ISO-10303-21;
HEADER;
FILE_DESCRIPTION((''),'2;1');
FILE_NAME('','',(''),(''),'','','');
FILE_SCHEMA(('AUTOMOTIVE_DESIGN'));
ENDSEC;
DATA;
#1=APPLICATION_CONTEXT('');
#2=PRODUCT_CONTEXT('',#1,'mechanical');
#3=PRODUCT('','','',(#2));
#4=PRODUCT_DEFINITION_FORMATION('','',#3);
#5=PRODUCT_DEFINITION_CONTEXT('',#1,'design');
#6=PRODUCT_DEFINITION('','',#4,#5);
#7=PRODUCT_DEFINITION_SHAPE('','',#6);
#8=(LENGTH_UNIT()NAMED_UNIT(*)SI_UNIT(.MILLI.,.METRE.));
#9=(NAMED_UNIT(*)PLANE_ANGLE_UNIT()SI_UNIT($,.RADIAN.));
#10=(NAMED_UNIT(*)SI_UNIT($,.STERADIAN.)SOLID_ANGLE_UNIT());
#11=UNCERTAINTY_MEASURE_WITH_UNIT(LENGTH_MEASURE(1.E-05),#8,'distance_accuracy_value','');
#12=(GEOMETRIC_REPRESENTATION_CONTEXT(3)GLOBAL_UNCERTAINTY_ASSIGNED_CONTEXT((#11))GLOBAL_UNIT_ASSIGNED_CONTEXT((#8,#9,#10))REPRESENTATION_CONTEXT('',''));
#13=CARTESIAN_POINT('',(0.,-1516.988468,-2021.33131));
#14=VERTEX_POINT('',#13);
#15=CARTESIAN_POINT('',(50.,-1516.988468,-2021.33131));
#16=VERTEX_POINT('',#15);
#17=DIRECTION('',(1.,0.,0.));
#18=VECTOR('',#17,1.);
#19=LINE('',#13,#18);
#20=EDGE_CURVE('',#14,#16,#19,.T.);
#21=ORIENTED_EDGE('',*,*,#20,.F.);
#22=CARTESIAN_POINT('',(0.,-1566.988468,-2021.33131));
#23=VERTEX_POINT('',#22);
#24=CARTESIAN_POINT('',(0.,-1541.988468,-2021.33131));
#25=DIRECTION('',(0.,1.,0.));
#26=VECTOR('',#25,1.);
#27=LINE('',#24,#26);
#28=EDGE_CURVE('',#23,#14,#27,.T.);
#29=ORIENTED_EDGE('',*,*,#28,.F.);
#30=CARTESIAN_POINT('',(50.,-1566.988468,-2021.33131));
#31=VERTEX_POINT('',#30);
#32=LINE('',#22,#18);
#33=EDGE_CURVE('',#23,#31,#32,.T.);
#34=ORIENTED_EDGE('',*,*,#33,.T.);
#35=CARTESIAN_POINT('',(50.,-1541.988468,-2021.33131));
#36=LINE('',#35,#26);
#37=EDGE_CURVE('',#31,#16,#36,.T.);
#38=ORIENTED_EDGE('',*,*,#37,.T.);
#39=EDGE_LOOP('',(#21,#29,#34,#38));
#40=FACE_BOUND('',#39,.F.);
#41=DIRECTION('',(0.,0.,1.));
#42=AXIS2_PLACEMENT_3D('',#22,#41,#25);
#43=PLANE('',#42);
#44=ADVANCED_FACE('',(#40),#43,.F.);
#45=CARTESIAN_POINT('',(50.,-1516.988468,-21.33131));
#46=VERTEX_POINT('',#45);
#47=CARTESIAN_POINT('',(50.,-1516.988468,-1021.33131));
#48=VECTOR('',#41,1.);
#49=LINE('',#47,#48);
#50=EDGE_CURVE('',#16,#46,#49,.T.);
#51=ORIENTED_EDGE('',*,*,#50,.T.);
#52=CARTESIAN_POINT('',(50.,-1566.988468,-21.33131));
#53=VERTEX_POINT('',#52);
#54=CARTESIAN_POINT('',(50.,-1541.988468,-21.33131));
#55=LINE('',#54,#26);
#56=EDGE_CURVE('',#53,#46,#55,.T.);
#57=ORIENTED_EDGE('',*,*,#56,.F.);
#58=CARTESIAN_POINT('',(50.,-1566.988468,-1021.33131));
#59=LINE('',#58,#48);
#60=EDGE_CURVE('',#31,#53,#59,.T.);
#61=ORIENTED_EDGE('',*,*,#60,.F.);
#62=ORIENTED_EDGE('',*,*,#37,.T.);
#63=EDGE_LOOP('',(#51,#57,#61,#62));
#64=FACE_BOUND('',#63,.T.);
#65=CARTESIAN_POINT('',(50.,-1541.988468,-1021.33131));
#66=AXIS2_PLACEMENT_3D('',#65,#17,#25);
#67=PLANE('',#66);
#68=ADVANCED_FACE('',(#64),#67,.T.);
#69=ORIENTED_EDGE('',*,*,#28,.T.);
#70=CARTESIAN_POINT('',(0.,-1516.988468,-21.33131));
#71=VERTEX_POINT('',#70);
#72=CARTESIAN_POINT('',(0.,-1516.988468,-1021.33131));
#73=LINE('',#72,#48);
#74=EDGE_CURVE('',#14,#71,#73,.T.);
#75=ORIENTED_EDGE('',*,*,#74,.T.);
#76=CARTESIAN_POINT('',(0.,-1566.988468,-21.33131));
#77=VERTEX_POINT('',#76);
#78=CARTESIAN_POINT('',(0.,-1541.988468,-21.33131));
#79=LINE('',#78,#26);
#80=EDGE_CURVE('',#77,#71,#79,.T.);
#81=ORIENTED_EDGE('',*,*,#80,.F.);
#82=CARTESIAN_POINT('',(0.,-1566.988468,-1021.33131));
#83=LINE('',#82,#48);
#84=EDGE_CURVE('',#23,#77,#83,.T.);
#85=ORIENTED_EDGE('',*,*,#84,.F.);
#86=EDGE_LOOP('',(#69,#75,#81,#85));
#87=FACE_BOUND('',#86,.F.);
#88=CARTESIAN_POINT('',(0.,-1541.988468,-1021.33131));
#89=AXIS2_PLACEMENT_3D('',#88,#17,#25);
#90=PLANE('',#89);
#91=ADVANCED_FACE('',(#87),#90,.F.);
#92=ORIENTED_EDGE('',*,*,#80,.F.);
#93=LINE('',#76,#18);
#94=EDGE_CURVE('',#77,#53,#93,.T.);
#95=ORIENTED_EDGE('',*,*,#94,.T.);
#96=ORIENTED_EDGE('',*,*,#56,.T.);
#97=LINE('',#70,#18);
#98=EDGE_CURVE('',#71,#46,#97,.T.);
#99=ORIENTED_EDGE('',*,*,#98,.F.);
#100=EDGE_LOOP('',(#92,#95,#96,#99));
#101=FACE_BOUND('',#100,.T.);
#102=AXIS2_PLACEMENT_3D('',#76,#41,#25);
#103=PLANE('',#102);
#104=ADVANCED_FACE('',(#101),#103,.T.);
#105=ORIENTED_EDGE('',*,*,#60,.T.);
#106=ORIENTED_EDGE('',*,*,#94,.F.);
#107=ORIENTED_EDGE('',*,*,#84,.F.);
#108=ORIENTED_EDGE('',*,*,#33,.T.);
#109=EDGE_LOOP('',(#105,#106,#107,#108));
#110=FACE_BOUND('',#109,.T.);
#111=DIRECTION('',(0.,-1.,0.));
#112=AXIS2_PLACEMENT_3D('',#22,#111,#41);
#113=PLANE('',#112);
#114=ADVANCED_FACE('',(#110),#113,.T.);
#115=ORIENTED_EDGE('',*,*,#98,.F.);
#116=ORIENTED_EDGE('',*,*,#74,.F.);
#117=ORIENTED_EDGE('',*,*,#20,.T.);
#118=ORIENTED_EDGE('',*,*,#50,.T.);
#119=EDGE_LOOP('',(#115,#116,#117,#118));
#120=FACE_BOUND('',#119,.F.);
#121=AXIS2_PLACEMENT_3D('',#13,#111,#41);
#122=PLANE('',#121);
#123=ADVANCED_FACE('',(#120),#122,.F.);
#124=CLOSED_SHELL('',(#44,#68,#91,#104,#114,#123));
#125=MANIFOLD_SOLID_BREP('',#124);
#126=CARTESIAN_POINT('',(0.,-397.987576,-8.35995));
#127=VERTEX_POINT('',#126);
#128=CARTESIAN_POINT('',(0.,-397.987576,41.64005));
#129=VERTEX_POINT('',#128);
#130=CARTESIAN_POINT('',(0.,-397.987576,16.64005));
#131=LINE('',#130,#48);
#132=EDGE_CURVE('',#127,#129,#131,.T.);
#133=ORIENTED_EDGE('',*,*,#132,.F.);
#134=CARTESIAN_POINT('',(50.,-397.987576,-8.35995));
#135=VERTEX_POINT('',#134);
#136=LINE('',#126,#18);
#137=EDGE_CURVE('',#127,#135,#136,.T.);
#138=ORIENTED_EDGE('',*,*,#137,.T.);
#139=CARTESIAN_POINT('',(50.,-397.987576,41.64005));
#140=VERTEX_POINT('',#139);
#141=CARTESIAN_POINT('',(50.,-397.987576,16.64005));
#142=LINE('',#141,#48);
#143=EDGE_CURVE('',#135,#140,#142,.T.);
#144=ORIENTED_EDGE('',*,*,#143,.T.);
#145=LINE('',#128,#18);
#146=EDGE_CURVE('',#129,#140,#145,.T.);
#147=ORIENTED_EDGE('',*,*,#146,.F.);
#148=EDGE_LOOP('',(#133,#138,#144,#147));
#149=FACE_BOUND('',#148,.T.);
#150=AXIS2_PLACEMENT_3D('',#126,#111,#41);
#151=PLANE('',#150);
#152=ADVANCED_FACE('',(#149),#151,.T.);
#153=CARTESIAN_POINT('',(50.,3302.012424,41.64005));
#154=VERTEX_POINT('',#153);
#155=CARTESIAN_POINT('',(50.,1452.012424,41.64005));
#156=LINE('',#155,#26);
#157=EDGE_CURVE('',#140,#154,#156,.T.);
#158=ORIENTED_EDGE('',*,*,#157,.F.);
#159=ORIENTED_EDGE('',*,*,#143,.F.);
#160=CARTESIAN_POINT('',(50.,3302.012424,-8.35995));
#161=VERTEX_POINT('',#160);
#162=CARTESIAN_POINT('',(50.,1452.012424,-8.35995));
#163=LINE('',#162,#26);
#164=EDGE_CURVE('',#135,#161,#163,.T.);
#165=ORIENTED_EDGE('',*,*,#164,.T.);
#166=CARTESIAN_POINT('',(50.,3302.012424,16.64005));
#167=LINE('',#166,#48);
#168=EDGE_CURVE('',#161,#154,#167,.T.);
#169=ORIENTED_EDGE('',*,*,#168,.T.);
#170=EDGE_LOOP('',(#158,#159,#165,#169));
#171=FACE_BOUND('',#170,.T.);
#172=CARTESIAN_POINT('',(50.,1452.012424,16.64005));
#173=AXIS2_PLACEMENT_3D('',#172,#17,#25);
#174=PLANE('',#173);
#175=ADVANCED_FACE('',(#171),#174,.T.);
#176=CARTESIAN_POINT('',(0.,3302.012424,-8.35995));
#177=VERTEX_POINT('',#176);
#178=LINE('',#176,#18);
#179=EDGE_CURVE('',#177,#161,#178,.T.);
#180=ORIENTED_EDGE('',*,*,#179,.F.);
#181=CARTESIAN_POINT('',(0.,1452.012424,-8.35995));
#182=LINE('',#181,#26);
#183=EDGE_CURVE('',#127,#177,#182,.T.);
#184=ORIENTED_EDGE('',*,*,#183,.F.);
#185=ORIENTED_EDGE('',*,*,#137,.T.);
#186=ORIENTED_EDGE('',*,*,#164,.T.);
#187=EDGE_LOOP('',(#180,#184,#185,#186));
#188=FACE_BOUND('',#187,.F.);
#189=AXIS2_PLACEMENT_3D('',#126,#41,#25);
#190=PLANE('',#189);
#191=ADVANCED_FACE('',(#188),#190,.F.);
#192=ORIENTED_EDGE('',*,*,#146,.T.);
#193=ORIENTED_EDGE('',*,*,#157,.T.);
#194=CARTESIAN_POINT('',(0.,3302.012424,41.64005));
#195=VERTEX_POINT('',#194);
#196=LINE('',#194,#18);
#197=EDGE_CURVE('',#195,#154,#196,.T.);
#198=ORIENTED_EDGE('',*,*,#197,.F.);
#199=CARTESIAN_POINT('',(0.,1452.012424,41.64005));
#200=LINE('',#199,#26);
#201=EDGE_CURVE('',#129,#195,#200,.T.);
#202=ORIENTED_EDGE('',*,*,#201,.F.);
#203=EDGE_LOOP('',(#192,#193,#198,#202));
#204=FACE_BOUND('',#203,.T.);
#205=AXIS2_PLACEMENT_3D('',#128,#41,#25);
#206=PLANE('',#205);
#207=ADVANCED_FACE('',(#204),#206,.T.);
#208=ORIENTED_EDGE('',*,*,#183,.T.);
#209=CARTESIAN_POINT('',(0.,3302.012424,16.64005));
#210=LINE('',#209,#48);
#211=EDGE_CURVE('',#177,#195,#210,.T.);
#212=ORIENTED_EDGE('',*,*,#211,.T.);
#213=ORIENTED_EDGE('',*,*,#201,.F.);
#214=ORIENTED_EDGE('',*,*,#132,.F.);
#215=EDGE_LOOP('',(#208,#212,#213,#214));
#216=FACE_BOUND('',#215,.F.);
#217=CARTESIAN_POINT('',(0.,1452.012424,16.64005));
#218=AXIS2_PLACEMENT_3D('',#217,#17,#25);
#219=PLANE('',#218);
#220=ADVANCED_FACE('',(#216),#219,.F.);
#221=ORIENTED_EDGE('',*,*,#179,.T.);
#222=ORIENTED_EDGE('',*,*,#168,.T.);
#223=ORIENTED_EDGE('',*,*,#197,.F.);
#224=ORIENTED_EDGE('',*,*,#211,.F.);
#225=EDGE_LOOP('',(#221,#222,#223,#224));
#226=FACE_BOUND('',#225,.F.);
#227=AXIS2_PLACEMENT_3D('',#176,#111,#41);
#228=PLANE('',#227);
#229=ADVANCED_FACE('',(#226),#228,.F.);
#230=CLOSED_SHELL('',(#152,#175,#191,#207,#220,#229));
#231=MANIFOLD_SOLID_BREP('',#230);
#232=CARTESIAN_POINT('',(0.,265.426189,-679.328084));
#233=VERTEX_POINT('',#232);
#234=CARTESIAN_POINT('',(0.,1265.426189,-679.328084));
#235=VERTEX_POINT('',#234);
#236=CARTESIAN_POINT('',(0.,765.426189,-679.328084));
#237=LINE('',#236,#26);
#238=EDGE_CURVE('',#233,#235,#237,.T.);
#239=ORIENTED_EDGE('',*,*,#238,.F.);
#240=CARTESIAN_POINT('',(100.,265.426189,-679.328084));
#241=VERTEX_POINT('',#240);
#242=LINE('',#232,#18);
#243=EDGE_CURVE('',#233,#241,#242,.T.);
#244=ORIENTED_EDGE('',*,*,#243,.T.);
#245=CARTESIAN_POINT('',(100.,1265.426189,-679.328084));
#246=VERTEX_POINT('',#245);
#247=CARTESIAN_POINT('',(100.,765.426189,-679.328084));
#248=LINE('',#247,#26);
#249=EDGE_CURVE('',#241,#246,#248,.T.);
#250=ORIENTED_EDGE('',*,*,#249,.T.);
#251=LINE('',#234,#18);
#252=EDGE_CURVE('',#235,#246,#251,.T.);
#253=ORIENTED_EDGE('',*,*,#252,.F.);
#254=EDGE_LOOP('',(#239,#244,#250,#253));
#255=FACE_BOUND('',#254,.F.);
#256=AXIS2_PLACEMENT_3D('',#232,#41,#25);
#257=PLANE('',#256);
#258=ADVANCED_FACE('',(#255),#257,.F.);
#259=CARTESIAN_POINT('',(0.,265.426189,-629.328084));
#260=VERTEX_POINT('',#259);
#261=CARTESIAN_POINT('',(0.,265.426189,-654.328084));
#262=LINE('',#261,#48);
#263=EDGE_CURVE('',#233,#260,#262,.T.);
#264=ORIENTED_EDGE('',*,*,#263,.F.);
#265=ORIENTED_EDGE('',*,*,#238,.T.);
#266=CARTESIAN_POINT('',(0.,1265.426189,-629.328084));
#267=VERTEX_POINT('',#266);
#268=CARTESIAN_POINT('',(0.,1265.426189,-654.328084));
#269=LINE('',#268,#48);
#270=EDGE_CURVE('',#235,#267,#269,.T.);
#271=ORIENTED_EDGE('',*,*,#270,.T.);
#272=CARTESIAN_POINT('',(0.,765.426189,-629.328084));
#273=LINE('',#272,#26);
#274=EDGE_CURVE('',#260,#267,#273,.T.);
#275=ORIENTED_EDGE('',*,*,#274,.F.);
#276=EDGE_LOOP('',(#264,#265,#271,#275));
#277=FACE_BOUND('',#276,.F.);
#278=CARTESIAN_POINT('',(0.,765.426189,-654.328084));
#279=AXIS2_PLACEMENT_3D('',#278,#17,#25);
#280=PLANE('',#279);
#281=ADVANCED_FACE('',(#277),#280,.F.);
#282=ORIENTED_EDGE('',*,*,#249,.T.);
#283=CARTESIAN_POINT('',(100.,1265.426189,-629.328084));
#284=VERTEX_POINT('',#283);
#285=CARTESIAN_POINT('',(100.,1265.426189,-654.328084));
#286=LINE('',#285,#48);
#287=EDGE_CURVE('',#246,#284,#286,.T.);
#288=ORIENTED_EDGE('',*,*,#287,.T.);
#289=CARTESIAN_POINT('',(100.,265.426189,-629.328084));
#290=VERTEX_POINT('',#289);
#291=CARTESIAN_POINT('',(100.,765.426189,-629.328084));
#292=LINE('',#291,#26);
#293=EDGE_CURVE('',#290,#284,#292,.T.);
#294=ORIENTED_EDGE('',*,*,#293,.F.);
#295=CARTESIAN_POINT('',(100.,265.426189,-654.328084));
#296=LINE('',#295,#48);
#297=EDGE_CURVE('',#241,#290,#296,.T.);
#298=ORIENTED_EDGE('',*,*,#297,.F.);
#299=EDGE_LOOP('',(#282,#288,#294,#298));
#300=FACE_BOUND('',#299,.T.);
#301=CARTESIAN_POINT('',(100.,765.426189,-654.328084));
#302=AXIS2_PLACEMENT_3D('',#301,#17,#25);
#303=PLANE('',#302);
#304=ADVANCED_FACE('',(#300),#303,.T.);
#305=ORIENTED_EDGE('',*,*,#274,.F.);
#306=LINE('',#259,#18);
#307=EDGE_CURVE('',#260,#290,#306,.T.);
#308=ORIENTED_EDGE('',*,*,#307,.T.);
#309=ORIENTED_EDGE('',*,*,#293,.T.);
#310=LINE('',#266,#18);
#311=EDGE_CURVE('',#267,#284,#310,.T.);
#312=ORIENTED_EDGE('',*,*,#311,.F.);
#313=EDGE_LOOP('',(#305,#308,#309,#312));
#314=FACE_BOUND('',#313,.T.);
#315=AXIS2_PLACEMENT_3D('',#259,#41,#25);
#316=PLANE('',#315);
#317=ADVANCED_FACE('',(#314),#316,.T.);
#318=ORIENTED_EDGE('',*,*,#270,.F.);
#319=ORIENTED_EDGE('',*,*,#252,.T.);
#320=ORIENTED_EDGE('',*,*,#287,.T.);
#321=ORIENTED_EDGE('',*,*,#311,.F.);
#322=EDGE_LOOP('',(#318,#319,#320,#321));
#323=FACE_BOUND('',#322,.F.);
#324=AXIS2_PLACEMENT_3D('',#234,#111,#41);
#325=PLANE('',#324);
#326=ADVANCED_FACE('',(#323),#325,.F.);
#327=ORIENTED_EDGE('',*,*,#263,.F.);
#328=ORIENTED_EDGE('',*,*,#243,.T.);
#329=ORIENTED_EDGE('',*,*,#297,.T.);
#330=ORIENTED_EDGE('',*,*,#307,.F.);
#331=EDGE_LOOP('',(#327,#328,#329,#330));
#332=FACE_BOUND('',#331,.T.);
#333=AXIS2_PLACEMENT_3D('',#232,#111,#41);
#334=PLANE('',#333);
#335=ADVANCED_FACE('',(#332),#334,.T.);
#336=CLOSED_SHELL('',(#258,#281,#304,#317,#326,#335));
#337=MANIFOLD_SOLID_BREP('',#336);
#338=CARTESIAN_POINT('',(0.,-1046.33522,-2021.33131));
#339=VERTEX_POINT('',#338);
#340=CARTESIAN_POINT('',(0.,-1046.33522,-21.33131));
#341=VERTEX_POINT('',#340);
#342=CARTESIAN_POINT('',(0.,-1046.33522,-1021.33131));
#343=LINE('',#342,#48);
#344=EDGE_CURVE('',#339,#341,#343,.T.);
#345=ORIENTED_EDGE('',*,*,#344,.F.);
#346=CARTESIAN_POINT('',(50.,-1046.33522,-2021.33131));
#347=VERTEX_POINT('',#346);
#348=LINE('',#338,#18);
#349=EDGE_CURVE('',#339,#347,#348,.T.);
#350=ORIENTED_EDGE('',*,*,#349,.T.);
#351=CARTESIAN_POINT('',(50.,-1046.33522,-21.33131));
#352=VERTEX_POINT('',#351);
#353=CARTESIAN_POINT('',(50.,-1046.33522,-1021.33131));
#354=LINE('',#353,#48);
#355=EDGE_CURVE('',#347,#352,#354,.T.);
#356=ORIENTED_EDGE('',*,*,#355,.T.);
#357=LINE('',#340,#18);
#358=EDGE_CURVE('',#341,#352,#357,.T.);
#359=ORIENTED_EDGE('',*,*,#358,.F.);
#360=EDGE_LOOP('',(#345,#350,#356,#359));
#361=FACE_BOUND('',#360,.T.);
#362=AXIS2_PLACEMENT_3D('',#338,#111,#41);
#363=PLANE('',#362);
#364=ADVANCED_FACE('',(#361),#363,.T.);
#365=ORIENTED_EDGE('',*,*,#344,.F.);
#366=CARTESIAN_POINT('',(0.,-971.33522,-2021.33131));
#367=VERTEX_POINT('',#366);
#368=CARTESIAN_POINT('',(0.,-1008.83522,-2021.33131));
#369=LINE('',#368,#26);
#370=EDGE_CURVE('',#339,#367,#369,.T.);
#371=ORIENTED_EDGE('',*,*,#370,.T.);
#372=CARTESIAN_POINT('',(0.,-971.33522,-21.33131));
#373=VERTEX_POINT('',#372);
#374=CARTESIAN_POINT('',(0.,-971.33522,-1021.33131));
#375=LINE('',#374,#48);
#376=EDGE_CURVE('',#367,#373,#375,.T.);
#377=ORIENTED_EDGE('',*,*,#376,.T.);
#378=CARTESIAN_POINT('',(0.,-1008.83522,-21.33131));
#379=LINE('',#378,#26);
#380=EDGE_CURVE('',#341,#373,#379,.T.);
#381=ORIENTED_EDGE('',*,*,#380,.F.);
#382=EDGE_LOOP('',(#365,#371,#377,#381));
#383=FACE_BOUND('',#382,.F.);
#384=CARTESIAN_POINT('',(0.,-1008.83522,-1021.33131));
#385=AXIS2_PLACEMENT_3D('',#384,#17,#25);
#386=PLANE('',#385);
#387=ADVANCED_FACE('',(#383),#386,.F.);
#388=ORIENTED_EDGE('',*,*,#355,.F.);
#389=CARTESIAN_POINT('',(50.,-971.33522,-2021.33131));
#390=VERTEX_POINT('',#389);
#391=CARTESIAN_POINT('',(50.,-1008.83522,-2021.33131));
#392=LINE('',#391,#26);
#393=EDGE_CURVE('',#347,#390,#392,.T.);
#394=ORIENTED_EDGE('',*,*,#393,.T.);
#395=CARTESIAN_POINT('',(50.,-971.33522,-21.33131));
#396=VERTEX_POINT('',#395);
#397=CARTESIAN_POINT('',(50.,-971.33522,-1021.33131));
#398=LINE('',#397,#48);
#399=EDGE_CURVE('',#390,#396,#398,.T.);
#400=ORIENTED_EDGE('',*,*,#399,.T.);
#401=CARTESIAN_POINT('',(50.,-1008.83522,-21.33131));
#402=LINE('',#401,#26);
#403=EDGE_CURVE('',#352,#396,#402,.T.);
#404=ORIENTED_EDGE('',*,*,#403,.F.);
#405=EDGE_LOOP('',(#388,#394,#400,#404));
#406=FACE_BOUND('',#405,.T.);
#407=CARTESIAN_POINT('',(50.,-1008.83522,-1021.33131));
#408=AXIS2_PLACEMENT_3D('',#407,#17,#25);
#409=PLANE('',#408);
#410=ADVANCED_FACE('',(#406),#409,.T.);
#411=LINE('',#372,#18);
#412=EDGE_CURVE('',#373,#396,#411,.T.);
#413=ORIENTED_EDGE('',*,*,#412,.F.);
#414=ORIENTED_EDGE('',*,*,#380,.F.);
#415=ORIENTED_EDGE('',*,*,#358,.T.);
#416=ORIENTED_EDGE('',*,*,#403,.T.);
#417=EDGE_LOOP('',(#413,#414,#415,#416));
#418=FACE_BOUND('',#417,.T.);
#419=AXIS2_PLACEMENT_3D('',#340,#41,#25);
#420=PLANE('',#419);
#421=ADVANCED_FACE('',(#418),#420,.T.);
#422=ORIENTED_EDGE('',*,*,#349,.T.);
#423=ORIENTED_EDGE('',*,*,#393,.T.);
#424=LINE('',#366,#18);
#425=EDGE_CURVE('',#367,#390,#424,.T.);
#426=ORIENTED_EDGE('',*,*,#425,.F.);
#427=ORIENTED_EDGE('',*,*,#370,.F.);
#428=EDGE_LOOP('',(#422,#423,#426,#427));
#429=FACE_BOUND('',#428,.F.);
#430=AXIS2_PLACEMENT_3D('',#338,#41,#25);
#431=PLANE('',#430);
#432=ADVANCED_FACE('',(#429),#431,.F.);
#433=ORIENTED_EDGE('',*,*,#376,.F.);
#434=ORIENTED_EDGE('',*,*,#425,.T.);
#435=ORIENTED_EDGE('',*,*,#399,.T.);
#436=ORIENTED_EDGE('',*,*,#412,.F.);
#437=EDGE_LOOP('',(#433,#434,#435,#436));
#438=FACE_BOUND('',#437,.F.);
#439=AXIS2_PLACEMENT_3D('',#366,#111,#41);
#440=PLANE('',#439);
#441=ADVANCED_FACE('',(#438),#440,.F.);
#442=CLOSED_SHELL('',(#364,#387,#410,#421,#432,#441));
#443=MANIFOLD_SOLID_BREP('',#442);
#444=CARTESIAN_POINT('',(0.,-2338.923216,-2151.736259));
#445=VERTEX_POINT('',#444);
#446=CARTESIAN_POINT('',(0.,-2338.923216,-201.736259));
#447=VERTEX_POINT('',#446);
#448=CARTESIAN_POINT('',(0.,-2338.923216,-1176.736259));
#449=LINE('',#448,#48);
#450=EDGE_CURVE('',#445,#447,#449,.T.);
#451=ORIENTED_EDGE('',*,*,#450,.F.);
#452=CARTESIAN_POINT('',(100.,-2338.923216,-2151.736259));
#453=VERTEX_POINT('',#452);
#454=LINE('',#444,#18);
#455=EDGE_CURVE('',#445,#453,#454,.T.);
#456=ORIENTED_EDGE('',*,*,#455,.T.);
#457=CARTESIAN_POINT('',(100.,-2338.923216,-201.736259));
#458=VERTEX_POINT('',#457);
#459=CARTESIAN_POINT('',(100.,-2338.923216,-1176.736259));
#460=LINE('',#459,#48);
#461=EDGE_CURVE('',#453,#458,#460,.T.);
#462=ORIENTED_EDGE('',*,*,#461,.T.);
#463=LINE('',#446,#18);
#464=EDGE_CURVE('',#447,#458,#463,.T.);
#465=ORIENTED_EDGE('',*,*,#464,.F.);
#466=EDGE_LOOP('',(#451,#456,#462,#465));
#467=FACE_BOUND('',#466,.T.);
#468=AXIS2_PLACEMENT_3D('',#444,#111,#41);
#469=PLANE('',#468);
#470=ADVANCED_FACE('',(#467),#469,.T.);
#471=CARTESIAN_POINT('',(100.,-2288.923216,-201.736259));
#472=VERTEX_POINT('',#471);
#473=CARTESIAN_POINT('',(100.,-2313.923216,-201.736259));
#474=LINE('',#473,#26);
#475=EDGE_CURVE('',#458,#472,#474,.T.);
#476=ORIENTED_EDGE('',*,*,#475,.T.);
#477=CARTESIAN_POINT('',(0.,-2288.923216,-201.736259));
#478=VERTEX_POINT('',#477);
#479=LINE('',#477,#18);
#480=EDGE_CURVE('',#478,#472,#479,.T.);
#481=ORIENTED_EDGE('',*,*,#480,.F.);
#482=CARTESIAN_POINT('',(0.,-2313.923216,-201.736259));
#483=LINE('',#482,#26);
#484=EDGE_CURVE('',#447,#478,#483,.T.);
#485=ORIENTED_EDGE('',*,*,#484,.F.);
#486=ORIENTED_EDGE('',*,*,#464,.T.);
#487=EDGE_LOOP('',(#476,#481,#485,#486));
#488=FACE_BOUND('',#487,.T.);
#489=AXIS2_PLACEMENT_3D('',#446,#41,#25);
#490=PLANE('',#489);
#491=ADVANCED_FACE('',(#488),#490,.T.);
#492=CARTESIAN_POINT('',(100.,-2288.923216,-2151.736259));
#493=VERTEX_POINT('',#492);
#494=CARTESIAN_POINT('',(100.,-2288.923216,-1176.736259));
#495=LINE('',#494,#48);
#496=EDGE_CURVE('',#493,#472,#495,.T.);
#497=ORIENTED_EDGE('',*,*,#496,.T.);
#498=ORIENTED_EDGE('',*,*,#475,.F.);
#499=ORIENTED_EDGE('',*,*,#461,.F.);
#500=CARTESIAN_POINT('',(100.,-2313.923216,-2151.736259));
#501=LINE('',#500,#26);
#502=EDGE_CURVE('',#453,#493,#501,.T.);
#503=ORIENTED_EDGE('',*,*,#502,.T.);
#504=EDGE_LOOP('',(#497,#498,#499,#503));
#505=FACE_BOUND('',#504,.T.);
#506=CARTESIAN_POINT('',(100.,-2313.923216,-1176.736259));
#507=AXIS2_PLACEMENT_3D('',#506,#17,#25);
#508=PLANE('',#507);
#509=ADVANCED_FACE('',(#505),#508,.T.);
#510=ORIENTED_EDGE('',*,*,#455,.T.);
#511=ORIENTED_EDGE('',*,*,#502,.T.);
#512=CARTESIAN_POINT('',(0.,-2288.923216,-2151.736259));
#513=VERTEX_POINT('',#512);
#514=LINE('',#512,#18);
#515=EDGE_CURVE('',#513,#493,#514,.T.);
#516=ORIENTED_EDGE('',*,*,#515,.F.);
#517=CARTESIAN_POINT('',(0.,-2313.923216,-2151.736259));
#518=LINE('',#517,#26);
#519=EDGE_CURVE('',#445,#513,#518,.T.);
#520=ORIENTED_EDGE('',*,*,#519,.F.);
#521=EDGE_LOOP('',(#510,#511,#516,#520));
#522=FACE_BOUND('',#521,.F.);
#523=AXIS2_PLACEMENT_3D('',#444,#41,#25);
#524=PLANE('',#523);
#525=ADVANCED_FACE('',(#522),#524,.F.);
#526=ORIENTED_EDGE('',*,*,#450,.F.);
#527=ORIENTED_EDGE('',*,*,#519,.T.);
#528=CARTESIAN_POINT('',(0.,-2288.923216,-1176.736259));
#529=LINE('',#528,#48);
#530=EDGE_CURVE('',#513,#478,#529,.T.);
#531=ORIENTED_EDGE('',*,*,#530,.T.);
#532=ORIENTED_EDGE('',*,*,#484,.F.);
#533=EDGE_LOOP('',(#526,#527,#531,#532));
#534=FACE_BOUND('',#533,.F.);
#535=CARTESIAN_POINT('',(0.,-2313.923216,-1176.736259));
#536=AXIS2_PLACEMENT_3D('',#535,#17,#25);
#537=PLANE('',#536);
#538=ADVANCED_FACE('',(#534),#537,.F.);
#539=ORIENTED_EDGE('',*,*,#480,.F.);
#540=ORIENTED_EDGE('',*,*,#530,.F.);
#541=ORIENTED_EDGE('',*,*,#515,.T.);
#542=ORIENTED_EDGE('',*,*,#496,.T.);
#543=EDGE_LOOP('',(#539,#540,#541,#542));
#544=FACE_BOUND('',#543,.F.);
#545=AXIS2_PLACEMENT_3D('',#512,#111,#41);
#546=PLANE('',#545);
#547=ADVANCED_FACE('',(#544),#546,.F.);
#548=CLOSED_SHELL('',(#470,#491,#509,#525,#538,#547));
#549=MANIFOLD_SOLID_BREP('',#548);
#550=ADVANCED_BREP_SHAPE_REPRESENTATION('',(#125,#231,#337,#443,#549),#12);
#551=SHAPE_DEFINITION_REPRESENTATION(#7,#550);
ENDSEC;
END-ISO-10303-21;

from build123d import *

# Parameters (mm, degrees)
F0_W     = 3700
F0_H     = 50
F0_W_2   = 75
F0_H_2   = 2000
F0_W_3   = 50
F1_DEPTH = 50
F0_W_4   = 1000
F0_H_3   = 1950
F2_DEPTH = 100


with BuildPart() as f1:
    # F0 (on Right) → F1 (new body)
    with BuildSketch(Plane.YZ):
        with Locations((1452.012424, 16.64005)):
            Rectangle(F0_W, F0_H)
        with Locations((-1008.83522, -1021.33131)):
            Rectangle(F0_W_2, F0_H_2)
        with Locations((-1541.988468, -1021.33131)):
            Rectangle(F0_W_3, F0_H_2)
    extrude(amount=F1_DEPTH)


with BuildPart() as f2:
    # F0 (on Right) → F2 (new body)
    with BuildSketch(Plane.YZ):
        with Locations((765.426189, -654.328084)):
            Rectangle(F0_W_4, F0_H)
        with Locations((-2313.923216, -1176.736259)):
            Rectangle(F0_W_3, F0_H_3)
    extrude(amount=F2_DEPTH)


solid = Compound([f1.part, f2.part])
